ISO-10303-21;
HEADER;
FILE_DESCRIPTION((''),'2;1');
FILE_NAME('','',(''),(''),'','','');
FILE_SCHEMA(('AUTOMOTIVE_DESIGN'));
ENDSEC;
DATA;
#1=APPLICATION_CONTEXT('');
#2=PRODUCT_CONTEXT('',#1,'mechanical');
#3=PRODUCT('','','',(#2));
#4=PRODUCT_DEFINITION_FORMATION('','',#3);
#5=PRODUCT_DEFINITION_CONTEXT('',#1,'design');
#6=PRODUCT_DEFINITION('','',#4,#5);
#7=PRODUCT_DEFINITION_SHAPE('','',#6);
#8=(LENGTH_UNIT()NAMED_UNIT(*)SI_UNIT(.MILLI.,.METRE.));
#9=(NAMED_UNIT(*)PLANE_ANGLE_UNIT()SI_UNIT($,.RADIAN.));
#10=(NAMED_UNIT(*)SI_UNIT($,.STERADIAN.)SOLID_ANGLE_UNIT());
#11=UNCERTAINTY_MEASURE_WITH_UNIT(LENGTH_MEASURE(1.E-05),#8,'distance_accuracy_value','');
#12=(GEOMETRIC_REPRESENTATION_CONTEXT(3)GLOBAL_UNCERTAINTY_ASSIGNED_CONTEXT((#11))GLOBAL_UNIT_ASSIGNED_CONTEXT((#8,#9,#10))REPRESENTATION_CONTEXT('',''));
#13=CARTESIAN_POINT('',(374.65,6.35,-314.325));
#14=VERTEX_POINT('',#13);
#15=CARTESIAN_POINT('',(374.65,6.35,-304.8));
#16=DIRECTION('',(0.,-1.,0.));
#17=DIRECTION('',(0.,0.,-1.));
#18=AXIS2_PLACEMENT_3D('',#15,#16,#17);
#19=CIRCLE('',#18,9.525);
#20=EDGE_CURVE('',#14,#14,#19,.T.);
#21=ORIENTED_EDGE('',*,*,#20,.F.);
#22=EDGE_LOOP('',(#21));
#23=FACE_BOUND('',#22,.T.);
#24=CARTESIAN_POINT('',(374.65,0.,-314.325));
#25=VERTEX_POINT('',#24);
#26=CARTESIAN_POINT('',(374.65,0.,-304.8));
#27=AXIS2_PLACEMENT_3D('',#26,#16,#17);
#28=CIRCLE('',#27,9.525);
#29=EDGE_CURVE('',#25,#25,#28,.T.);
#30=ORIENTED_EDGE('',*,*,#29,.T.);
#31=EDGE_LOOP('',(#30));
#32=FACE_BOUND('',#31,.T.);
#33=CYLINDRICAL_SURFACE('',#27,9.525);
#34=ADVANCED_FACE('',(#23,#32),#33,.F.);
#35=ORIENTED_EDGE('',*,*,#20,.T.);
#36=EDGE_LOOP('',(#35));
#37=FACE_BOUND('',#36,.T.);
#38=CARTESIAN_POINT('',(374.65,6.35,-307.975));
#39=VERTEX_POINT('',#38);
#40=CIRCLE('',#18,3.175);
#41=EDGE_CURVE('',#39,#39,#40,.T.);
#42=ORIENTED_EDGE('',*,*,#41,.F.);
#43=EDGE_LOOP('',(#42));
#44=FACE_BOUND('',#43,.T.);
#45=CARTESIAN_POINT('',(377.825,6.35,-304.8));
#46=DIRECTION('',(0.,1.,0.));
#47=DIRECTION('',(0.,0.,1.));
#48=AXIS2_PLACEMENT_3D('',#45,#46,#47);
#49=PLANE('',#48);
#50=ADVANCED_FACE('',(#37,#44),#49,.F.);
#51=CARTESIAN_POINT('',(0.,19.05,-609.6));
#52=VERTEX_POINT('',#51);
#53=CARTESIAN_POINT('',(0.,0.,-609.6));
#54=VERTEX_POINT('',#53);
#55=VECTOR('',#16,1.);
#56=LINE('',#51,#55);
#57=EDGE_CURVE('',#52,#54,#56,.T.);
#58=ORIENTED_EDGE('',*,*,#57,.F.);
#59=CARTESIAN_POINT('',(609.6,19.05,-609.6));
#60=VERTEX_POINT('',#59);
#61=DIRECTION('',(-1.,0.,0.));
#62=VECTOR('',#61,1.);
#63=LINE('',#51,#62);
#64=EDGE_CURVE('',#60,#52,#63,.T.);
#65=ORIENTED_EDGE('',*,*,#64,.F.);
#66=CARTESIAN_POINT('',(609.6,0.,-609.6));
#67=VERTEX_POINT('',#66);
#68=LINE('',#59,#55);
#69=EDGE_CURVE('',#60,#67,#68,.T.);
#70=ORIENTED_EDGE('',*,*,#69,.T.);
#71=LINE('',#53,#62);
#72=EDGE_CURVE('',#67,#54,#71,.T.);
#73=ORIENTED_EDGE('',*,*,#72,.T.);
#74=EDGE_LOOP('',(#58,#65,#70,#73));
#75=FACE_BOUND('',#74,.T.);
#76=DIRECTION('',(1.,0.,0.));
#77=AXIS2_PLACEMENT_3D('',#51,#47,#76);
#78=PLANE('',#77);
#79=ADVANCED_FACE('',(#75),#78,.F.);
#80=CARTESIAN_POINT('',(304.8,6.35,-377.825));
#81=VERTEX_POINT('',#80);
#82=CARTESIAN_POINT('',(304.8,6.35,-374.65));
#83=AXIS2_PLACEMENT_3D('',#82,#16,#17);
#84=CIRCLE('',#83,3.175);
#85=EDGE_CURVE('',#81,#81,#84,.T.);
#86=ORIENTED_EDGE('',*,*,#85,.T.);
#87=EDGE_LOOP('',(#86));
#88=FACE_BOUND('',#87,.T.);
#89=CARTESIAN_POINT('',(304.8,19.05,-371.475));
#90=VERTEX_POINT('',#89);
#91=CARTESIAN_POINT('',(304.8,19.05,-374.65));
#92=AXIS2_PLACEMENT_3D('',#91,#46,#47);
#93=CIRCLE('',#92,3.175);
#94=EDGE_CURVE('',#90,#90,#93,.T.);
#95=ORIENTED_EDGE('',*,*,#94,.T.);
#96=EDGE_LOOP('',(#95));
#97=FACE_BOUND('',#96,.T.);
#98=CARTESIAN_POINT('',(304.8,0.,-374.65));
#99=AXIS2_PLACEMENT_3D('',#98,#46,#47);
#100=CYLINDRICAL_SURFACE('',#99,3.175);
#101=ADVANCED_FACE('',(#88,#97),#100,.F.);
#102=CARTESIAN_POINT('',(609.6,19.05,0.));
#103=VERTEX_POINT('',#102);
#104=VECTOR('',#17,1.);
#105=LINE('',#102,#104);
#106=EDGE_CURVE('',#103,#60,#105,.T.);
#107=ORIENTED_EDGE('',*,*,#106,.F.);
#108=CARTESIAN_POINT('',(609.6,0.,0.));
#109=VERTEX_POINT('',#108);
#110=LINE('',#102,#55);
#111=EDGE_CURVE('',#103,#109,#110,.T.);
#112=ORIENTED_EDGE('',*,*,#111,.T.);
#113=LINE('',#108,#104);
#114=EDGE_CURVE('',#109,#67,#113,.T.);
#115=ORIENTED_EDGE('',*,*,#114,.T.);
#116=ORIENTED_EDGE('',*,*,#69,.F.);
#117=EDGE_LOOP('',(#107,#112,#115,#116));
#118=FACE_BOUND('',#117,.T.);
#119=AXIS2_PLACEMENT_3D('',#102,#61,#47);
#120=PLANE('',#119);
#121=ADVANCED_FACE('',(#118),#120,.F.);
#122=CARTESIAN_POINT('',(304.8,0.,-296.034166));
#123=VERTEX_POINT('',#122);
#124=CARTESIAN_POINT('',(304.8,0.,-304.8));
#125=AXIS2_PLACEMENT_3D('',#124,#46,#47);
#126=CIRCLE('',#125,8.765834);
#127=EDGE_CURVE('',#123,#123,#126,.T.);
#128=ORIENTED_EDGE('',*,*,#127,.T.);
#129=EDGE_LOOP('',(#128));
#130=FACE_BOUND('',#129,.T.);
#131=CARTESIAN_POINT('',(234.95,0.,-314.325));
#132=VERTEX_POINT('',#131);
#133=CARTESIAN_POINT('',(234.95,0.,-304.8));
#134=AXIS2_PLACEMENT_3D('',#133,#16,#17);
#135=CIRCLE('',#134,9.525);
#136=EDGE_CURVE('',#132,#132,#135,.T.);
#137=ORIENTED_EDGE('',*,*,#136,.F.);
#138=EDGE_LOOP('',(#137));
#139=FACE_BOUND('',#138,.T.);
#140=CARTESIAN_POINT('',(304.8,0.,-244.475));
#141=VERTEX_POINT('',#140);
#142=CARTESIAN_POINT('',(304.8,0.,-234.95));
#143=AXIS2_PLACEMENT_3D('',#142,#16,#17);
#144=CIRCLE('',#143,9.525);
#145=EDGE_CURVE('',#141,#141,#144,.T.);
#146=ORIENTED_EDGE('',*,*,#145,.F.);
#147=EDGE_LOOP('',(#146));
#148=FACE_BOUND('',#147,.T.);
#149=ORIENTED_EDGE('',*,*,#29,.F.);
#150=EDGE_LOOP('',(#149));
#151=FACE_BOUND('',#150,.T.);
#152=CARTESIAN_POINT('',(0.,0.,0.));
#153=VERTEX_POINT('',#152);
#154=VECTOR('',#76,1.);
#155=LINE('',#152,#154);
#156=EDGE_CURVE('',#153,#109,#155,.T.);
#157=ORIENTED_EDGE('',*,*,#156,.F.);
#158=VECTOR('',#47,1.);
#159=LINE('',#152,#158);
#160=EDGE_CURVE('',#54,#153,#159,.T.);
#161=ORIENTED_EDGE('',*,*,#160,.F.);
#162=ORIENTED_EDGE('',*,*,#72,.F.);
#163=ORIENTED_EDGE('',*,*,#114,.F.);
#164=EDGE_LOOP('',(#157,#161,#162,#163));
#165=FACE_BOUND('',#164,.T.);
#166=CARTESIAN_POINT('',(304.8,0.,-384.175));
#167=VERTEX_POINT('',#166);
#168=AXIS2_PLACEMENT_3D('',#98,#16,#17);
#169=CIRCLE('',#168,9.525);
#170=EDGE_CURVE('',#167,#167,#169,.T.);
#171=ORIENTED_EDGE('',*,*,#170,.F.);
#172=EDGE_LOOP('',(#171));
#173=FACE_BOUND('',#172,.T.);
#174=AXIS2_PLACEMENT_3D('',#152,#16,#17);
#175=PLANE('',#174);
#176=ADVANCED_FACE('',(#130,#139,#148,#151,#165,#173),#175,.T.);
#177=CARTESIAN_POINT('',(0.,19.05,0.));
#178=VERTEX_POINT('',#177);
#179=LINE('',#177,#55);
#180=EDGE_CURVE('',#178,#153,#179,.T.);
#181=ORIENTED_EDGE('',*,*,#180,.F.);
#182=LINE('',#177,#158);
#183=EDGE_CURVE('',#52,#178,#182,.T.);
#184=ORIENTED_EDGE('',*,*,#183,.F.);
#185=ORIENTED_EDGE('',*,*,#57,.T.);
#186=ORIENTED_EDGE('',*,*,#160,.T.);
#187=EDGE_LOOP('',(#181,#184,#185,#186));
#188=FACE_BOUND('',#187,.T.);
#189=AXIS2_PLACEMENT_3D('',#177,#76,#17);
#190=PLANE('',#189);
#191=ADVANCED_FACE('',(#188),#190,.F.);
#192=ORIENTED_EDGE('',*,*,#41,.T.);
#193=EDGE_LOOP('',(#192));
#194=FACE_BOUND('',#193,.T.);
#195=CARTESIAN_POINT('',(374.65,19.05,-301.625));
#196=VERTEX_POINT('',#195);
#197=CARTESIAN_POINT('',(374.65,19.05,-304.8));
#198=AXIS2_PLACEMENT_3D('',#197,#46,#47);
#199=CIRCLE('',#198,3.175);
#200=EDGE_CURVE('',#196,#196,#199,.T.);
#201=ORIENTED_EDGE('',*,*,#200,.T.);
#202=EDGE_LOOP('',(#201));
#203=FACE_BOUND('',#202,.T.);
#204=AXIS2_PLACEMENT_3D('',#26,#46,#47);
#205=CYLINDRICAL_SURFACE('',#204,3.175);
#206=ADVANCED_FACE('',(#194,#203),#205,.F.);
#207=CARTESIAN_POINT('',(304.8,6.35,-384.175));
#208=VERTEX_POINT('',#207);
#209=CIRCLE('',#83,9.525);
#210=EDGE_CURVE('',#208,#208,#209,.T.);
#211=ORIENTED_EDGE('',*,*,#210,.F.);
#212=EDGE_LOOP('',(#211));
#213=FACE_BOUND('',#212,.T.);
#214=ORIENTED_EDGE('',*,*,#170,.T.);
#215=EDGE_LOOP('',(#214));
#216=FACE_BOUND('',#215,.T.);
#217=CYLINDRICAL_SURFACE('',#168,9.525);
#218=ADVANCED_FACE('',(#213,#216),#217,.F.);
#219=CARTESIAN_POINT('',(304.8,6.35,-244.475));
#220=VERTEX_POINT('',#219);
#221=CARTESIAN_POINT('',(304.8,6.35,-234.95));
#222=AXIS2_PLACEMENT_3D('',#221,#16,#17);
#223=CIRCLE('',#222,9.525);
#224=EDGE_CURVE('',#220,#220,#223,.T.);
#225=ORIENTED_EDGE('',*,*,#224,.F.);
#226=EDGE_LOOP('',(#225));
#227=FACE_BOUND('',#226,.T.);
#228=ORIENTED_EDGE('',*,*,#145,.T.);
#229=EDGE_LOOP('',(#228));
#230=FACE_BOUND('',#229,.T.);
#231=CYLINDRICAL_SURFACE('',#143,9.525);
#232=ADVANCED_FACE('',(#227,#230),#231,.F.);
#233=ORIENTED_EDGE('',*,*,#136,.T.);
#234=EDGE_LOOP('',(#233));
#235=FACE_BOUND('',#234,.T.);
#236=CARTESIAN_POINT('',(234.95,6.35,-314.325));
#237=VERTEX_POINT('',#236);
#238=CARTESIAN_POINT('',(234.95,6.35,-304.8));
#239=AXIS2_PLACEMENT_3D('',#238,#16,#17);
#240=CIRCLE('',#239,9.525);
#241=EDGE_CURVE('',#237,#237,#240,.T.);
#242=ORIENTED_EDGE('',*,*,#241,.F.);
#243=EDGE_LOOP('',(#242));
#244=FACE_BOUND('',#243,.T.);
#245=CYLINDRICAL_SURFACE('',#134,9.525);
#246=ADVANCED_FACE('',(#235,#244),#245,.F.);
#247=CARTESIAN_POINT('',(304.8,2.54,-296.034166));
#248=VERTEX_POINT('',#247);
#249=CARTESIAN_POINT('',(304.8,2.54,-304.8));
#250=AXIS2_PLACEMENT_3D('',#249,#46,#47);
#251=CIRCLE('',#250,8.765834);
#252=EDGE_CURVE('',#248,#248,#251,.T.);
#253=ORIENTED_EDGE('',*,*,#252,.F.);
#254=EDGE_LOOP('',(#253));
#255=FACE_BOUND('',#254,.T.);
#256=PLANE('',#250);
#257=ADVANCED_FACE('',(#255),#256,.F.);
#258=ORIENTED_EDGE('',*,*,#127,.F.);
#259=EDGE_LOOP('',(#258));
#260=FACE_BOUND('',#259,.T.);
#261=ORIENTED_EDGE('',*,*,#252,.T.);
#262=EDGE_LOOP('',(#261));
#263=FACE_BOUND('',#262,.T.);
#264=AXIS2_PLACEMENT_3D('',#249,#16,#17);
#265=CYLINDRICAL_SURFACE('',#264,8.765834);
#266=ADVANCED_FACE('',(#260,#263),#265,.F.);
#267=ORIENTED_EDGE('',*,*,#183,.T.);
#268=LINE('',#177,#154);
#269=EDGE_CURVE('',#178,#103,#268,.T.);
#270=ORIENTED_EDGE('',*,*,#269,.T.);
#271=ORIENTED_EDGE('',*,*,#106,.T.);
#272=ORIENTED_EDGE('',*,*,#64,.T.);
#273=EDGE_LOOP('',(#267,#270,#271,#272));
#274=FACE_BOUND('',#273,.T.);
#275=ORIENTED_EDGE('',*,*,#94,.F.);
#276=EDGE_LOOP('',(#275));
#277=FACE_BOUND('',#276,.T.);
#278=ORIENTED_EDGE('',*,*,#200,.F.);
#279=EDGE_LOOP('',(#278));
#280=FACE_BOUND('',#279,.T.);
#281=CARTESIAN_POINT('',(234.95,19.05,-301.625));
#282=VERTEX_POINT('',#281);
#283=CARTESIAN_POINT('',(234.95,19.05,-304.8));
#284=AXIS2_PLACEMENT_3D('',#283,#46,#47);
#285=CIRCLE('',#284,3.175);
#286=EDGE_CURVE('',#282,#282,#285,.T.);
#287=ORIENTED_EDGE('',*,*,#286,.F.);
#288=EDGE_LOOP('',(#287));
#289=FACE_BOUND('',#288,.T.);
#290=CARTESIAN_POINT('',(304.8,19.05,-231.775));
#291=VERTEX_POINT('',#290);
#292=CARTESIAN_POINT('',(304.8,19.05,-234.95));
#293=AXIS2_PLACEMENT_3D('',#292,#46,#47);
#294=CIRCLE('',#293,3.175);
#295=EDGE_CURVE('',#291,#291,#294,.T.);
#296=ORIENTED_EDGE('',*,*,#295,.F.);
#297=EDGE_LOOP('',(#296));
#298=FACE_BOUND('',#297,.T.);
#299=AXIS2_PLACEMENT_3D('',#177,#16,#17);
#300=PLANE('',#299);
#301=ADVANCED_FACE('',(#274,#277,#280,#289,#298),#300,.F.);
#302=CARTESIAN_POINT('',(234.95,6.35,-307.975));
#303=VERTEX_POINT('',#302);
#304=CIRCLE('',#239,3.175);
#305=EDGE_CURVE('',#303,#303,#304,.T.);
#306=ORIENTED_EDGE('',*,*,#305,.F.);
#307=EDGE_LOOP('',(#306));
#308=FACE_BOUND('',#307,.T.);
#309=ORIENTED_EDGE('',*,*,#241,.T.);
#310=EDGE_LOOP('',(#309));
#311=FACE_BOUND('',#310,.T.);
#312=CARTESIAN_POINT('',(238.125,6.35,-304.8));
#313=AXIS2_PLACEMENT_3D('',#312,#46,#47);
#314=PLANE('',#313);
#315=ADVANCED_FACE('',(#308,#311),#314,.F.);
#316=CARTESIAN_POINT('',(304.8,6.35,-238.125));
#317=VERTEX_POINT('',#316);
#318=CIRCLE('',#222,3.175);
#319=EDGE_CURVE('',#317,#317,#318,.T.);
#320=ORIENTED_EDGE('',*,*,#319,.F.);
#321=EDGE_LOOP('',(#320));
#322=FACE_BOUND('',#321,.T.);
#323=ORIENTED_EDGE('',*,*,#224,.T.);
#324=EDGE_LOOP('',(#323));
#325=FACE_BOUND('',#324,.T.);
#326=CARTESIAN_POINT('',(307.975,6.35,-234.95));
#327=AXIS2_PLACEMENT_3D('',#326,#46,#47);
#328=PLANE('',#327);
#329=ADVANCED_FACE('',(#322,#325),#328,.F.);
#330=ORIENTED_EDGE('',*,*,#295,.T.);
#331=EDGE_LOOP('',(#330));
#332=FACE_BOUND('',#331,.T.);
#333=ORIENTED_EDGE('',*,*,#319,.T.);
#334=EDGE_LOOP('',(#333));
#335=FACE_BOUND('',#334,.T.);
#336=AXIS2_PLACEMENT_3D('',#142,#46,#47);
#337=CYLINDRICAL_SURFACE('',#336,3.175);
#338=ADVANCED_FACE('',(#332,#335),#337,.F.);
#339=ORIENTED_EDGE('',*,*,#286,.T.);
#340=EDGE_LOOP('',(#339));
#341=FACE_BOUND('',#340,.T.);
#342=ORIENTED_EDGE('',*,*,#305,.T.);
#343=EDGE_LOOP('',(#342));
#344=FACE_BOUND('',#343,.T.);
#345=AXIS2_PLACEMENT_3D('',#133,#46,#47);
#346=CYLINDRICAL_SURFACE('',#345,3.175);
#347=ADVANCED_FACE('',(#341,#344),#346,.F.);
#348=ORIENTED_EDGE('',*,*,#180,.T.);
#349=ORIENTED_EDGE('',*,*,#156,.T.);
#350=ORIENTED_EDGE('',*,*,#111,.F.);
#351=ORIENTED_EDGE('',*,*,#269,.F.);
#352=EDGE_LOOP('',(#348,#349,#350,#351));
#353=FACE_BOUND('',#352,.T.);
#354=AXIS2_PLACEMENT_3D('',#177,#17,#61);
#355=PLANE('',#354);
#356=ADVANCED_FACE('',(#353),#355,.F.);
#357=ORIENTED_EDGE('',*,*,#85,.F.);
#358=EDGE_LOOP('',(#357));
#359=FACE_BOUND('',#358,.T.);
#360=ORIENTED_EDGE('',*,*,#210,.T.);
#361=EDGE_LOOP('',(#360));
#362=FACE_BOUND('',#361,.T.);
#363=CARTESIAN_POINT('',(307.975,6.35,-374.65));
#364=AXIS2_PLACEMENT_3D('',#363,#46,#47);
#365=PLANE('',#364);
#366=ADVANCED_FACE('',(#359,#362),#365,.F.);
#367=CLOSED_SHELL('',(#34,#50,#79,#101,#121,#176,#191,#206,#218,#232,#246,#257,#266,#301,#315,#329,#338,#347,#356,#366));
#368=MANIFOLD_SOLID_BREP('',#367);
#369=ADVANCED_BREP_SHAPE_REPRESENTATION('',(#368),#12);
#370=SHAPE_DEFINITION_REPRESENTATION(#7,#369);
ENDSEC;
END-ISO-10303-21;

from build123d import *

# Parameters (mm, degrees)
SKETCH1_W           = 609.6
SKETCH1_H           = 609.6
BOSS_EXTRUDE1_DEPTH = 19.05
SKETCH2_R           = 3.175
CUT_EXTRUDE1_DEPTH  = 20.05
SKETCH3_R           = 8.765833612
CUT_EXTRUDE2_DEPTH  = 2.54
HOLE1_D             = 6.35
HOLE1_DEPTH         = 25.4
HOLE1_CBORE_D       = 19.05
HOLE1_CBORE_DEPTH   = 6.35


with BuildPart() as part:
    # Sketch1 → Boss-Extrude1 (new body)
    with BuildSketch(Plane(origin=(0, 0, 0), x_dir=(1, 0, 0), z_dir=(0, 1, 0))):
        with Locations((304.8, 304.8)):
            Rectangle(SKETCH1_W, SKETCH1_H)
    extrude(amount=BOSS_EXTRUDE1_DEPTH)

    # Sketch2 → Cut-Extrude1 (cut, through all)
    with BuildSketch(Plane(origin=(0, 19.05, 0), x_dir=(1, 0, 0), z_dir=(0, 1, 0))):
        with Locations((304.8, 374.65)):
            Circle(SKETCH2_R)
        with Locations((234.95, 304.8)):
            Circle(SKETCH2_R)
        with Locations((374.65, 304.8)):
            Circle(SKETCH2_R)
        with Locations((304.8, 234.95)):
            Circle(SKETCH2_R)
    extrude(amount=-CUT_EXTRUDE1_DEPTH, mode=Mode.SUBTRACT)

    # Sketch3 → Cut-Extrude2 (cut)
    with BuildSketch(Plane(origin=(0, 0, 0), x_dir=(1, 0, 0), z_dir=(0, 1, 0))):
        with Locations((304.8, 304.8)):
            Circle(SKETCH3_R)
    extrude(amount=CUT_EXTRUDE2_DEPTH, mode=Mode.SUBTRACT)

    # Hole1
    with Locations(Plane(origin=(0, 0, 0), x_dir=(-1, 0, 0), z_dir=(0, -1, 0))):
        with Locations((-234.95, 304.8), (-304.8, 234.95), (-374.65, 304.8), (-304.8, 374.65)):
            CounterBoreHole(HOLE1_D / 2, HOLE1_CBORE_D / 2, HOLE1_CBORE_DEPTH, depth=HOLE1_DEPTH)


solid = part.part
